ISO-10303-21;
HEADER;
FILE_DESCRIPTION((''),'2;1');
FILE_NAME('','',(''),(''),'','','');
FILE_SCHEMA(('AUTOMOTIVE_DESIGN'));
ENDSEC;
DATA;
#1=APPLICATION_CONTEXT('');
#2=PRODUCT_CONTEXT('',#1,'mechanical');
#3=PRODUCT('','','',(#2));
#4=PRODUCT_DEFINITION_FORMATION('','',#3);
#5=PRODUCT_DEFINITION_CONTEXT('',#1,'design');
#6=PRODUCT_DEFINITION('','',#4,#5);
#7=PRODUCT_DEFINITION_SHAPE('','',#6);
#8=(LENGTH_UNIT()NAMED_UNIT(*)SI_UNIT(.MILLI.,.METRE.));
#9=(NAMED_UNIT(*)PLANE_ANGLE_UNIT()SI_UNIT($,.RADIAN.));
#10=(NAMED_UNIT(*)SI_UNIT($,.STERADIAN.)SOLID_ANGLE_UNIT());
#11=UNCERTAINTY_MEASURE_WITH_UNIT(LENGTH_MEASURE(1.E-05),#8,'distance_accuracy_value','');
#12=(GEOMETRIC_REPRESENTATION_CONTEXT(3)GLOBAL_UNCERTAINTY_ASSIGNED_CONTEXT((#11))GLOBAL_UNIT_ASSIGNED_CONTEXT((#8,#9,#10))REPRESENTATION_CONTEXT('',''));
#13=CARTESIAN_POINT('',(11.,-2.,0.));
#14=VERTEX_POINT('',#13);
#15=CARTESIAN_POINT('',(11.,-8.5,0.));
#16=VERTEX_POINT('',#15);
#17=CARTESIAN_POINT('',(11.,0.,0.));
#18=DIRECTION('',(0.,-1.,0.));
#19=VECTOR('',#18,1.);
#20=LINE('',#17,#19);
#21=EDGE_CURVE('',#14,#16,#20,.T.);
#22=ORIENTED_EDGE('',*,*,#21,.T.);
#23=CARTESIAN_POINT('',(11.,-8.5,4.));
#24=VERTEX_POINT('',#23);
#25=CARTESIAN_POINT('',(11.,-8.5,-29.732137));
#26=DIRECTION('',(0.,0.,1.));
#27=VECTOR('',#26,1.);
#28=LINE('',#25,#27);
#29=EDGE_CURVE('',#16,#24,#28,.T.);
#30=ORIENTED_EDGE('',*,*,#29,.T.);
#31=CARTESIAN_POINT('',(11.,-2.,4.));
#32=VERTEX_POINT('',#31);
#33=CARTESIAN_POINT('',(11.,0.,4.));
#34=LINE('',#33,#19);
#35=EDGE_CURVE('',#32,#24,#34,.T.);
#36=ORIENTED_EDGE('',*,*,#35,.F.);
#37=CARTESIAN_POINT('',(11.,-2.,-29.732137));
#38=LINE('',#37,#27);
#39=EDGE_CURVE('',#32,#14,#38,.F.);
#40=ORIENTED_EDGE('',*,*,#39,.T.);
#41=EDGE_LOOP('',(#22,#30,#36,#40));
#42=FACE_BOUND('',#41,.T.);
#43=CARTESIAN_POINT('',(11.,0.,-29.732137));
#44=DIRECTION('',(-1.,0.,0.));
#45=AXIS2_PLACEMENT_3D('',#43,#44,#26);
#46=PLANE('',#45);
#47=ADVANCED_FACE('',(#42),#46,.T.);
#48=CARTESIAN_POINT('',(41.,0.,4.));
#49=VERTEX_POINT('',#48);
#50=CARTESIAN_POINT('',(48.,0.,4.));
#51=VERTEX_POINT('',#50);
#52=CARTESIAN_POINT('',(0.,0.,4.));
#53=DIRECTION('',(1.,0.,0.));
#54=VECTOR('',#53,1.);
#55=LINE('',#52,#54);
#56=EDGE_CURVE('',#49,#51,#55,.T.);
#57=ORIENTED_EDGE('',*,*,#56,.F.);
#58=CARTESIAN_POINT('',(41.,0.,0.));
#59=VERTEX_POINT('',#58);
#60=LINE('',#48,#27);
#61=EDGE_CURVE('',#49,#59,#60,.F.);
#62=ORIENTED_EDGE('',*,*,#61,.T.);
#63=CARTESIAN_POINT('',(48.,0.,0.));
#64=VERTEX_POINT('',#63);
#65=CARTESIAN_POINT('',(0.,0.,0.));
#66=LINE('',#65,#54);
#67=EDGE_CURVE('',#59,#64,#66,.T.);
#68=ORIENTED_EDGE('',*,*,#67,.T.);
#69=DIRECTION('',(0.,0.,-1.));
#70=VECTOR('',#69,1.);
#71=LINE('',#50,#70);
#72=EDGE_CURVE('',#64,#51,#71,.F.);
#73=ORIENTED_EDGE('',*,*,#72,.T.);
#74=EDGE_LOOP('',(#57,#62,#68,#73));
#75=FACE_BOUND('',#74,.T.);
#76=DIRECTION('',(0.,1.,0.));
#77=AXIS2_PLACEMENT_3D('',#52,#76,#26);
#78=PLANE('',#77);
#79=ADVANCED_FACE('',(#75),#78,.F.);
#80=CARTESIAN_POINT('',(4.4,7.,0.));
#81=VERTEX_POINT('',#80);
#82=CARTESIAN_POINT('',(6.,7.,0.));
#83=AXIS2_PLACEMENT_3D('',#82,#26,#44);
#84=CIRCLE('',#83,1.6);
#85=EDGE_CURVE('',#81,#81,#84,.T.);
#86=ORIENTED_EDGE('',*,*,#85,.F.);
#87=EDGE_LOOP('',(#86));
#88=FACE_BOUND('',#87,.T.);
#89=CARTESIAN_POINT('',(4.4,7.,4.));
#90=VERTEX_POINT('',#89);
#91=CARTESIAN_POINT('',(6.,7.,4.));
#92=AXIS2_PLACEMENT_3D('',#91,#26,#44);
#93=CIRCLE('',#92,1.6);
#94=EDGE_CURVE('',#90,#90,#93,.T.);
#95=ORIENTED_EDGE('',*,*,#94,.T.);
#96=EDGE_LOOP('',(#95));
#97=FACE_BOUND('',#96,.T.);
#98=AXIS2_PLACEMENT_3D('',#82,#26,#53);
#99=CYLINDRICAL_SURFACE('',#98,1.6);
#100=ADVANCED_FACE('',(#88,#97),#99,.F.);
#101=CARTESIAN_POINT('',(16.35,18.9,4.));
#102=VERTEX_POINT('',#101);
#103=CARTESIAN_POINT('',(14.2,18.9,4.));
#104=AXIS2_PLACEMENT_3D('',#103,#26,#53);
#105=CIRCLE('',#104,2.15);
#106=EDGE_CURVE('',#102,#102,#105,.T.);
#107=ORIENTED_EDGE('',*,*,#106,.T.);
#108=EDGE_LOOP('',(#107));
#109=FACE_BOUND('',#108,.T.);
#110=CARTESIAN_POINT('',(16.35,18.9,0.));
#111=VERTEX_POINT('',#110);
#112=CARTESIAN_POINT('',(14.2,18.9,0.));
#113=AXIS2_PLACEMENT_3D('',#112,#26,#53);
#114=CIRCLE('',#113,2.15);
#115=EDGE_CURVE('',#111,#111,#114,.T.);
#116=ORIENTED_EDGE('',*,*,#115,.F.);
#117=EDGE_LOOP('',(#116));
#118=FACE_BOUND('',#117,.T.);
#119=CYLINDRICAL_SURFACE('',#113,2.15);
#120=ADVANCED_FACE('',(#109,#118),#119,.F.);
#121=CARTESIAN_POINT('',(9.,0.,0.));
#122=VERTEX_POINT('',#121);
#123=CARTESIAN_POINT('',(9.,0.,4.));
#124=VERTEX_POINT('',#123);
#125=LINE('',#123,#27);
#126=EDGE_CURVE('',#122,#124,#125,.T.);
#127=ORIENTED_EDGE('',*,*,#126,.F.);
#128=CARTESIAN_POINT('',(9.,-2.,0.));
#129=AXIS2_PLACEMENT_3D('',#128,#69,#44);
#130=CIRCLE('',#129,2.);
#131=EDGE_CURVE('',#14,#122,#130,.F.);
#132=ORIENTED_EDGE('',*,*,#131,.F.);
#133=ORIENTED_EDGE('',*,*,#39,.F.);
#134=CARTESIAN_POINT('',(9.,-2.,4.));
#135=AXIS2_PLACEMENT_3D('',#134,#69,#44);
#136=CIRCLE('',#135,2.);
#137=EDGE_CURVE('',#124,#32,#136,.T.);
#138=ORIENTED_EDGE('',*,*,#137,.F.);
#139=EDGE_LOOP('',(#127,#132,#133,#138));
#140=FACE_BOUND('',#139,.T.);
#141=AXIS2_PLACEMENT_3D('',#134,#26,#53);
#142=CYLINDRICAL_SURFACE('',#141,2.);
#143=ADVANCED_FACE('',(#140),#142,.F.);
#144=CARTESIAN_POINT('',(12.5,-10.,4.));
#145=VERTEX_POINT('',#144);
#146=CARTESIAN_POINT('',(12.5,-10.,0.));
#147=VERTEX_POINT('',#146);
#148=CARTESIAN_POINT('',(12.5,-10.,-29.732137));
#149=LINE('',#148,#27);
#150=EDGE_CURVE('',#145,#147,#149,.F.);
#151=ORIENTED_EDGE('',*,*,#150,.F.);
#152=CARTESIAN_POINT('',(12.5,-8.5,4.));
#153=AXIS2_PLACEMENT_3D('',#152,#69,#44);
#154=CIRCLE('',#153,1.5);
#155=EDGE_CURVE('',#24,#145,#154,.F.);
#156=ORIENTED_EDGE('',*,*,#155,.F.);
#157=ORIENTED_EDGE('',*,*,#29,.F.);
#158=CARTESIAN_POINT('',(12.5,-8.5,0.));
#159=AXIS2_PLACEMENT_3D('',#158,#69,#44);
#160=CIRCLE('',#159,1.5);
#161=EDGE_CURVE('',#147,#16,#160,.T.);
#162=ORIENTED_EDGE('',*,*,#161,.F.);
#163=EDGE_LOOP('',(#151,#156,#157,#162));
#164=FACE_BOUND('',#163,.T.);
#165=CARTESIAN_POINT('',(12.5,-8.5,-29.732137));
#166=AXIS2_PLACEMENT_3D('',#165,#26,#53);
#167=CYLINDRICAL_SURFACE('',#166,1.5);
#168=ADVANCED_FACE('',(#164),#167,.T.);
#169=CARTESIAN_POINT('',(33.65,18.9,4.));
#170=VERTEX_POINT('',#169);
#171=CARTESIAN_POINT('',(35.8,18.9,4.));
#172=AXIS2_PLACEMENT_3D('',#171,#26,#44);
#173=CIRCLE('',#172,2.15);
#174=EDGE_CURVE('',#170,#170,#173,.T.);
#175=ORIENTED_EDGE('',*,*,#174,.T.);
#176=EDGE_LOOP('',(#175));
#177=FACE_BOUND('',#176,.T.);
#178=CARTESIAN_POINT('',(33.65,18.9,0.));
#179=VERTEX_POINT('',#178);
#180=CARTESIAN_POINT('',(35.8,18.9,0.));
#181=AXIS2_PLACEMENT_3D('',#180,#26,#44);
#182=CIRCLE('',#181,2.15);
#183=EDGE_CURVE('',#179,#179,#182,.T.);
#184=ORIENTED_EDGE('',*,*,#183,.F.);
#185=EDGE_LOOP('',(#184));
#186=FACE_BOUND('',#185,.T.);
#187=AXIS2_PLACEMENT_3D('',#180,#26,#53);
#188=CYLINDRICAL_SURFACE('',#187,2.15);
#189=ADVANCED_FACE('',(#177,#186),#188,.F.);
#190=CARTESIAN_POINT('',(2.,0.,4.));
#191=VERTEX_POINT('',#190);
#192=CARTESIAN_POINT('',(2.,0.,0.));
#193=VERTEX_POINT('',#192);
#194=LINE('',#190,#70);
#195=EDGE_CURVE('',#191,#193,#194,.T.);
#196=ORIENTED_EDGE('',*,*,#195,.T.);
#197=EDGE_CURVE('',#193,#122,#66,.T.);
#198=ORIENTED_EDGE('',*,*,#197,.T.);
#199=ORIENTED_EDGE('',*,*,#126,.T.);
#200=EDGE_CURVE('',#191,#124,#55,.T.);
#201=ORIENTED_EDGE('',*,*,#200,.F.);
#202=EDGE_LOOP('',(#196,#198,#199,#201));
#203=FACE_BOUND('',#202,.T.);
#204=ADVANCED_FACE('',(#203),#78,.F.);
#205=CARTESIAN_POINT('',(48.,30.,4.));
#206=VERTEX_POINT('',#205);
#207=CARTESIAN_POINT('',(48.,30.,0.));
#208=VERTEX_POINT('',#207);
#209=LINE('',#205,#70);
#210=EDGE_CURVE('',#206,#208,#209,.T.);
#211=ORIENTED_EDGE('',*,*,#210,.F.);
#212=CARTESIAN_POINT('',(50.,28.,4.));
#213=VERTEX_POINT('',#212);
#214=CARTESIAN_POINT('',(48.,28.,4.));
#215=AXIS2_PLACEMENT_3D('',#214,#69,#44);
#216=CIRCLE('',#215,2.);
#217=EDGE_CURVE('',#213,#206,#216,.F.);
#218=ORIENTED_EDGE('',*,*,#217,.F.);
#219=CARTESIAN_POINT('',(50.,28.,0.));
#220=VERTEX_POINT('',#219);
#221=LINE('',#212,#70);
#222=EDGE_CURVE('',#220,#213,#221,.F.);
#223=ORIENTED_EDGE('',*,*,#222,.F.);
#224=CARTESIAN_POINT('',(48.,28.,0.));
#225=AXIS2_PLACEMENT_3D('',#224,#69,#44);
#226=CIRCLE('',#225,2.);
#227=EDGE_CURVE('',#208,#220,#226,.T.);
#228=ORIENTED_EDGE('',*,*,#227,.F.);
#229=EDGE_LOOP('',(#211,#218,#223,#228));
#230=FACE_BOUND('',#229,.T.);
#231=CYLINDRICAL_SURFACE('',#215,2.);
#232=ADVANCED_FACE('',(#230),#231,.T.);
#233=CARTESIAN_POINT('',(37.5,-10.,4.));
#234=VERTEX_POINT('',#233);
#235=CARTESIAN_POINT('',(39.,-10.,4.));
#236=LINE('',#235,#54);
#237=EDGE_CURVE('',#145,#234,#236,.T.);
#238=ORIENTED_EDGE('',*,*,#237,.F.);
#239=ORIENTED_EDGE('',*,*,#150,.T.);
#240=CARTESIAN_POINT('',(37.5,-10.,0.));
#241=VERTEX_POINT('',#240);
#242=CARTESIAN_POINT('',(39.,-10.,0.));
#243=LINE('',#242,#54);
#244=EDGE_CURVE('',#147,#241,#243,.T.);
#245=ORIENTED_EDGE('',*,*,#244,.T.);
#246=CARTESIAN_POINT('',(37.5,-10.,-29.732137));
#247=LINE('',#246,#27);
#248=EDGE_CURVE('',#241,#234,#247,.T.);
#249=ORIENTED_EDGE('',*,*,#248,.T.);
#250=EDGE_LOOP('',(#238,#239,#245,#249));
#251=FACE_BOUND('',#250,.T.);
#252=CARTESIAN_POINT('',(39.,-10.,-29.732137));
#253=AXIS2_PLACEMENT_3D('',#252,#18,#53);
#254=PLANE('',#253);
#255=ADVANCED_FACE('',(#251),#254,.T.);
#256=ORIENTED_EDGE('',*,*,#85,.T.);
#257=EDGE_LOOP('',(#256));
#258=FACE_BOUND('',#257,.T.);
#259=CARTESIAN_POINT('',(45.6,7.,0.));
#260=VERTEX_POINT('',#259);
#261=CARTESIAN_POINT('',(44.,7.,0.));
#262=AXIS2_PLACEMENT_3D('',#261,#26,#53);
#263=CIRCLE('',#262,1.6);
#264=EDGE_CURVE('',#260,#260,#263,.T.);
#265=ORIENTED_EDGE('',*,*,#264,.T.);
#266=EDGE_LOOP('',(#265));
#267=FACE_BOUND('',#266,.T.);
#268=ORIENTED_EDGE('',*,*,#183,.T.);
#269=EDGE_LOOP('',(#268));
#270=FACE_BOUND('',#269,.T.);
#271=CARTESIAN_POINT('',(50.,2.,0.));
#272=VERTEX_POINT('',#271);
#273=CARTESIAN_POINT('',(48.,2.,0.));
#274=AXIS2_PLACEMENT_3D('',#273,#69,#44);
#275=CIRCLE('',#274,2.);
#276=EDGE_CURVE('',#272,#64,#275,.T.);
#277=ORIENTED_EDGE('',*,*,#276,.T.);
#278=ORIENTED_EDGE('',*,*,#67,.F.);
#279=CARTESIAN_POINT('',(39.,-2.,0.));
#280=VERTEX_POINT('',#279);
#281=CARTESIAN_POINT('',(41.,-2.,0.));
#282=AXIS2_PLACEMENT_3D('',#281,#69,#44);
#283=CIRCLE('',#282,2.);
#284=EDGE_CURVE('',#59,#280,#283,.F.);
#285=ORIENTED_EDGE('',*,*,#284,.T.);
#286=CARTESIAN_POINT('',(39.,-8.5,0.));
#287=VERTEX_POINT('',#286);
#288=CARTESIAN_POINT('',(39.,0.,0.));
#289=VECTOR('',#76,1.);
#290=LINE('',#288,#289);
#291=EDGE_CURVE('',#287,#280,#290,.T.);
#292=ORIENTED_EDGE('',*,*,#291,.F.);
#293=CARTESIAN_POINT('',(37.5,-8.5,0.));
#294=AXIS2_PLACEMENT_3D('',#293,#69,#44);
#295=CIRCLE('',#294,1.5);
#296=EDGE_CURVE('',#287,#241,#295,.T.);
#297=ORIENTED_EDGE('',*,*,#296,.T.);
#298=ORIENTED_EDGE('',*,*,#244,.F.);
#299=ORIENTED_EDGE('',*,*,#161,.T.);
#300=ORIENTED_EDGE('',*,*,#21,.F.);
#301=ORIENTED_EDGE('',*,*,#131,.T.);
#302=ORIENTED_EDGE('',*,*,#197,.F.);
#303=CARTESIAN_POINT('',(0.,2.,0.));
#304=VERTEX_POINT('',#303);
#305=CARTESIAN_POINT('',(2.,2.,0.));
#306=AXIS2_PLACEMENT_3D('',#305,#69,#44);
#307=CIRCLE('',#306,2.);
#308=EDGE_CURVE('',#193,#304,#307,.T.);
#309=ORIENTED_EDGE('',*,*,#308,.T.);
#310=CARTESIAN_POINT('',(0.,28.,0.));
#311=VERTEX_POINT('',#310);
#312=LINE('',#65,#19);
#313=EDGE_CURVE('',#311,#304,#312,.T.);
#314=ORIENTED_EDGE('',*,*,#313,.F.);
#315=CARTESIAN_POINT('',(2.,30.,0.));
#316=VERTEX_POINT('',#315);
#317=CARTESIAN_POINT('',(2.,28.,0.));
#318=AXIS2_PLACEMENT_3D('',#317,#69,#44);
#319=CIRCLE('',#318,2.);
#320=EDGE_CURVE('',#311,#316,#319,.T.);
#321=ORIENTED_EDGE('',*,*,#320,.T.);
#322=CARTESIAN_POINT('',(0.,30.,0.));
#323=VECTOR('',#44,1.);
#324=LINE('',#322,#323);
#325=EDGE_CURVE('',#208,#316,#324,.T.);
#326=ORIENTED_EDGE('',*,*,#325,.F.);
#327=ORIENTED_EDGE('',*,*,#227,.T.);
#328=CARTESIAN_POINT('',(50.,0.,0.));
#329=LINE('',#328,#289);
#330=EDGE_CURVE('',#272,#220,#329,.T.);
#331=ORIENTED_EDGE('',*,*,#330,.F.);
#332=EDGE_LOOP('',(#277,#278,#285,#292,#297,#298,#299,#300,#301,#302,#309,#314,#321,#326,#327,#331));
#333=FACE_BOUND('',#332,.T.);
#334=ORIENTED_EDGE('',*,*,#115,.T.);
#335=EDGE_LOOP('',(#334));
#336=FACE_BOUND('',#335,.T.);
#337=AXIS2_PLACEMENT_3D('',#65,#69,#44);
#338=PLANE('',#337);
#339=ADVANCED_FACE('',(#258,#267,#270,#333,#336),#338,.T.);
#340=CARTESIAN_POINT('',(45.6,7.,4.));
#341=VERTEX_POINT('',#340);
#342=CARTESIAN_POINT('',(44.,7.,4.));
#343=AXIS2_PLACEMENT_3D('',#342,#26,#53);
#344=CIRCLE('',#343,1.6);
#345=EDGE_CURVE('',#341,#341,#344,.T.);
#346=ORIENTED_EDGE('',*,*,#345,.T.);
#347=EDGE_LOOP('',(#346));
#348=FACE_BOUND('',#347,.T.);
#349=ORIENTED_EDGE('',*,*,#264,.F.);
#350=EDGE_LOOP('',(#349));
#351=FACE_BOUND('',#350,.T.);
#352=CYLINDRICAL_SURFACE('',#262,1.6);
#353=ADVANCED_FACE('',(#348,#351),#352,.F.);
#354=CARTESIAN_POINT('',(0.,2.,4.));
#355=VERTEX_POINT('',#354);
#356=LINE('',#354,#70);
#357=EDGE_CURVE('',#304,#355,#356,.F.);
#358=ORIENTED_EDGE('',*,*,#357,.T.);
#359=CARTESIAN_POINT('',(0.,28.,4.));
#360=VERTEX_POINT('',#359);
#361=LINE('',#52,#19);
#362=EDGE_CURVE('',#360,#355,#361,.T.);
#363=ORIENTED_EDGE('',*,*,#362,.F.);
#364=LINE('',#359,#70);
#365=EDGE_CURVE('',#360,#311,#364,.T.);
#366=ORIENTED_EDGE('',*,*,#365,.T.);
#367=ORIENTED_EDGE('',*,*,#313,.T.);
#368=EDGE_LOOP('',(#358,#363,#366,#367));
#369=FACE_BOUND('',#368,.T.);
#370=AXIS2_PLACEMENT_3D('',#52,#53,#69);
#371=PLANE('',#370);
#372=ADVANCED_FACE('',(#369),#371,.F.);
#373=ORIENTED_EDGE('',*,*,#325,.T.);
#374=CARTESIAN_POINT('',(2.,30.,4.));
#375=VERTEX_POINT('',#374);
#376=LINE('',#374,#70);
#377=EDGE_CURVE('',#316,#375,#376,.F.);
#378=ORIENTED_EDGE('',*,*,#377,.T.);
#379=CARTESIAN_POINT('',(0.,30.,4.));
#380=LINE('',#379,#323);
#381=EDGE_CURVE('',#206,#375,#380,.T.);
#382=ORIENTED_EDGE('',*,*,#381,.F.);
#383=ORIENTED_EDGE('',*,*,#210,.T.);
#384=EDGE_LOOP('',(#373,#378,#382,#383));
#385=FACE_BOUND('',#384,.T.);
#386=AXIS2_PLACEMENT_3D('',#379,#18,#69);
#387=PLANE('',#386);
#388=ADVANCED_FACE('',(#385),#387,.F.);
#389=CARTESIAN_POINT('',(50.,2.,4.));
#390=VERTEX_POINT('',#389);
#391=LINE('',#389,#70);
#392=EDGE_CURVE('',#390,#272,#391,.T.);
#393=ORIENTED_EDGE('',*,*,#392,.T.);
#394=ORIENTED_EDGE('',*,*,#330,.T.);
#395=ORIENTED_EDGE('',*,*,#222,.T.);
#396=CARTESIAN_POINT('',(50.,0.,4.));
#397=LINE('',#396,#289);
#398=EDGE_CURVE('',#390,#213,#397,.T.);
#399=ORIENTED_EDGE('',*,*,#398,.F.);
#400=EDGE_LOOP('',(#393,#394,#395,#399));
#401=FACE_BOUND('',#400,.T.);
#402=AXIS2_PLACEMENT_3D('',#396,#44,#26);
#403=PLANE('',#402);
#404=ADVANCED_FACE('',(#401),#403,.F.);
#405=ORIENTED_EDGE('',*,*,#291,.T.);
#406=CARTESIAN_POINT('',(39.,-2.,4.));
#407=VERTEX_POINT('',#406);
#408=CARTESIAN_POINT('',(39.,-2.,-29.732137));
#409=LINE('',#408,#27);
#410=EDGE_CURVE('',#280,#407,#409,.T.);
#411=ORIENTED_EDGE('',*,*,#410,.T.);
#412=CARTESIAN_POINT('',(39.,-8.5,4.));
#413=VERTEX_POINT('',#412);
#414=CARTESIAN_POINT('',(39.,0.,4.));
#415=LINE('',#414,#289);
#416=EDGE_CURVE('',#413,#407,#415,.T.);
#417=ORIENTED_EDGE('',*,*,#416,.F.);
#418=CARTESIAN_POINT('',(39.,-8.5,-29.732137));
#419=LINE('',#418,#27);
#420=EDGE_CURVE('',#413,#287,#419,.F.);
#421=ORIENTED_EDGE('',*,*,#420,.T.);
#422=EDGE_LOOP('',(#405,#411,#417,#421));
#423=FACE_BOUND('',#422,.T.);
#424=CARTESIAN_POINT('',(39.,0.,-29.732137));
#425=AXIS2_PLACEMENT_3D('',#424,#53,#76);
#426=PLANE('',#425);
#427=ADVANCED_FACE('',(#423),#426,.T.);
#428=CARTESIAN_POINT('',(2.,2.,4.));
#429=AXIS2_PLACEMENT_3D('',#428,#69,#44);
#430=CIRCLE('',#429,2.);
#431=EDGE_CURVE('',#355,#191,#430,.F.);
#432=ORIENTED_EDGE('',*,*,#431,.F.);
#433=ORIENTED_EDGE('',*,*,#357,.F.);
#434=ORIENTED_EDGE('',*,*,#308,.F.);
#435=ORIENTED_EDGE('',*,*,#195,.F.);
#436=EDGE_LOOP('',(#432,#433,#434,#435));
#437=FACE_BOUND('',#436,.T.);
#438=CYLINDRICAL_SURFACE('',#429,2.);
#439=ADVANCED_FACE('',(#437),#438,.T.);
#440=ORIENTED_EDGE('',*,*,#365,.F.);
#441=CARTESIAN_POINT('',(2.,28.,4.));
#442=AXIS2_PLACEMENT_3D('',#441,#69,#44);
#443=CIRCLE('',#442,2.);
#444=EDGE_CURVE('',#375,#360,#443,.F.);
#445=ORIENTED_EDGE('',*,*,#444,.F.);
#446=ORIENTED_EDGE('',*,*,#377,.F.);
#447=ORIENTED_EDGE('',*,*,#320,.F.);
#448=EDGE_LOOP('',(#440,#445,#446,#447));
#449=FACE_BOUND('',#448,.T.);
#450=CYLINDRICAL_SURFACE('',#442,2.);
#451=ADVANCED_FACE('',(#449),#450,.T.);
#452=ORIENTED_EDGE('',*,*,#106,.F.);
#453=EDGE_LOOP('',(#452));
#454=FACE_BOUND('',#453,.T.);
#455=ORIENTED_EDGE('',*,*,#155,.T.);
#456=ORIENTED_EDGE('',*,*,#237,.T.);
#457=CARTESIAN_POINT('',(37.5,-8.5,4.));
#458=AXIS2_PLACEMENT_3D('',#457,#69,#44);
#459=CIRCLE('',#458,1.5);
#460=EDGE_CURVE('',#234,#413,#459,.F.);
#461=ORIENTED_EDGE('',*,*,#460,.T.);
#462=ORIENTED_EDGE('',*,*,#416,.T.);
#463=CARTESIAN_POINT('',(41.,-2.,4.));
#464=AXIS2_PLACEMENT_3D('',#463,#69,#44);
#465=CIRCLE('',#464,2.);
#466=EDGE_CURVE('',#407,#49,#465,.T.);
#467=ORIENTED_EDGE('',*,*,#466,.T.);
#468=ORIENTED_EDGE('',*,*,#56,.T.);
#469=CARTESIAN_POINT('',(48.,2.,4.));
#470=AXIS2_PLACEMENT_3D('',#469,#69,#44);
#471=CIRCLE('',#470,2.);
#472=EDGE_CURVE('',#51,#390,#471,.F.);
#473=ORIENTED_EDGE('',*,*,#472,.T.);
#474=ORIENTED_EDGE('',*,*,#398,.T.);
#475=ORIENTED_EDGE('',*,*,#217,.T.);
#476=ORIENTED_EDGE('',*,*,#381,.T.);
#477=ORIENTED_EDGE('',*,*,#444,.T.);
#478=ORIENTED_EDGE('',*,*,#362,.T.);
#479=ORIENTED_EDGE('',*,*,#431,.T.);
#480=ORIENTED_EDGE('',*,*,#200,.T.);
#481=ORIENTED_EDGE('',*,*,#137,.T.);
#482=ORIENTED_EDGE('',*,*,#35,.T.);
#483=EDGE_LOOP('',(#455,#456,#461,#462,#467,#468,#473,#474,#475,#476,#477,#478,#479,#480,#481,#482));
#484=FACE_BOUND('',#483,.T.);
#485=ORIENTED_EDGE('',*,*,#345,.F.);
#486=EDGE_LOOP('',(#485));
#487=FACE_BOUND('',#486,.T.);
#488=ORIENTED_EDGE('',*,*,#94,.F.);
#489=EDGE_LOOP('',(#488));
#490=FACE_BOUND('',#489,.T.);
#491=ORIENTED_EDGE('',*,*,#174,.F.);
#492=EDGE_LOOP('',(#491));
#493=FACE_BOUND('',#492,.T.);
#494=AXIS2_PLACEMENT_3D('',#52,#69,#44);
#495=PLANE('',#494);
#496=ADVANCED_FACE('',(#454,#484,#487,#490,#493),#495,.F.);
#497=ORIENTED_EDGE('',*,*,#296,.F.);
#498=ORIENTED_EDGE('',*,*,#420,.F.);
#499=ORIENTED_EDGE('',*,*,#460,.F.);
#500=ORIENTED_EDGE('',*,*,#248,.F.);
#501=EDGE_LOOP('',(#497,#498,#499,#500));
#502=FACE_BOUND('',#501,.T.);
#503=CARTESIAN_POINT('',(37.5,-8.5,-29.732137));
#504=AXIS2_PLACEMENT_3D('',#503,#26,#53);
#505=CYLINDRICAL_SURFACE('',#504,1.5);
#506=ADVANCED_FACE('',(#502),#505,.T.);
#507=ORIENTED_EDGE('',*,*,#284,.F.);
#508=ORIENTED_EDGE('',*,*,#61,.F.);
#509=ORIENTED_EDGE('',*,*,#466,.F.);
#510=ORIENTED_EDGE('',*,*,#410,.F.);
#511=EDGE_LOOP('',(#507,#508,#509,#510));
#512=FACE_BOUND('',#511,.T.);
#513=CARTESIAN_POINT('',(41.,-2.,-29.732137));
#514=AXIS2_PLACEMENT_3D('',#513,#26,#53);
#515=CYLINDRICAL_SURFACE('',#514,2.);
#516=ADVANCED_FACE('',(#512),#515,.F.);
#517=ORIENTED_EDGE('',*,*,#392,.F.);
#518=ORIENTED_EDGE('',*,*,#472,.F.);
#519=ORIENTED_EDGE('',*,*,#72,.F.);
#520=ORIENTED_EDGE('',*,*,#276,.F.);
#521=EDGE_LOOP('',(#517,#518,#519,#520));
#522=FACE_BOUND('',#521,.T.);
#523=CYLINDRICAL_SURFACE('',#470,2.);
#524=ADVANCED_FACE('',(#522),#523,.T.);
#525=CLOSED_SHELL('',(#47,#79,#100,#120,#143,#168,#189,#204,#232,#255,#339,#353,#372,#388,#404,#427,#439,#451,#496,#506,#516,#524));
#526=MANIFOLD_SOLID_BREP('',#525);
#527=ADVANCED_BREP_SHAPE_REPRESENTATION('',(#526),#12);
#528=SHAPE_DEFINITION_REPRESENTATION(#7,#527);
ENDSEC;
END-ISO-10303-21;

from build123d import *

# Parameters (mm, degrees)
SKETCH_1_W          = 50
SKETCH_1_H          = 30
EXTRUDE_1_DEPTH     = 4
SKETCH_3_R          = 2.15
CUT_EXTRUDE_2_DEPTH = 4
SKETCH_4_R          = 1.6
CUT_EXTRUDE_3_DEPTH = 5
SKETCH_5_W          = 28
SKETCH_5_H          = 10
EXTRUDE_2_DEPTH     = 4
FILLET_1_R          = 1.5
FILLET_2_R          = 2


with BuildPart() as part:
    # 草图1 → 凸台-拉伸1 (new body)
    with BuildSketch(Plane.XY):
        with Locations((25, 15)):
            Rectangle(SKETCH_1_W, SKETCH_1_H)
    extrude(amount=EXTRUDE_1_DEPTH)

    # 草图3 → 切除-拉伸2 (cut)
    with BuildSketch(Plane.XY.offset(4)):
        with Locations((14.2, 18.9)):
            Circle(SKETCH_3_R)
        with Locations((35.8, 18.9)):
            Circle(SKETCH_3_R)
    extrude(amount=-CUT_EXTRUDE_2_DEPTH, mode=Mode.SUBTRACT)

    # 草图4 → 切除-拉伸3 (cut, through all)
    with BuildSketch(Plane.XY.offset(4)):
        with Locations((44, 7)):
            Circle(SKETCH_4_R)
        with Locations((6, 7)):
            Circle(SKETCH_4_R)
    extrude(amount=-CUT_EXTRUDE_3_DEPTH, mode=Mode.SUBTRACT)

    # 草图5 → 凸台-拉伸2 (add)
    with BuildSketch(Plane.XY.offset(4)):
        with Locations((25, -5)):
            Rectangle(SKETCH_5_W, SKETCH_5_H)
    extrude(amount=-EXTRUDE_2_DEPTH)

    # 圆角1
    fillet_1_edges = [part.edges().sort_by_distance(p)[0] for p in [
        (11, -10, 2),
        (39, -10, 2),
    ]]
    fillet(fillet_1_edges, radius=FILLET_1_R)

    # 圆角2
    fillet_2_edges = [part.edges().sort_by_distance(p)[0] for p in [
        (11, 0, 2),
        (39, 0, 2),
        (0, 30, 2),
        (50, 30, 2),
        (50, 0, 2),
        (0, 0, 2),
    ]]
    fillet(fillet_2_edges, radius=FILLET_2_R)


solid = part.part
